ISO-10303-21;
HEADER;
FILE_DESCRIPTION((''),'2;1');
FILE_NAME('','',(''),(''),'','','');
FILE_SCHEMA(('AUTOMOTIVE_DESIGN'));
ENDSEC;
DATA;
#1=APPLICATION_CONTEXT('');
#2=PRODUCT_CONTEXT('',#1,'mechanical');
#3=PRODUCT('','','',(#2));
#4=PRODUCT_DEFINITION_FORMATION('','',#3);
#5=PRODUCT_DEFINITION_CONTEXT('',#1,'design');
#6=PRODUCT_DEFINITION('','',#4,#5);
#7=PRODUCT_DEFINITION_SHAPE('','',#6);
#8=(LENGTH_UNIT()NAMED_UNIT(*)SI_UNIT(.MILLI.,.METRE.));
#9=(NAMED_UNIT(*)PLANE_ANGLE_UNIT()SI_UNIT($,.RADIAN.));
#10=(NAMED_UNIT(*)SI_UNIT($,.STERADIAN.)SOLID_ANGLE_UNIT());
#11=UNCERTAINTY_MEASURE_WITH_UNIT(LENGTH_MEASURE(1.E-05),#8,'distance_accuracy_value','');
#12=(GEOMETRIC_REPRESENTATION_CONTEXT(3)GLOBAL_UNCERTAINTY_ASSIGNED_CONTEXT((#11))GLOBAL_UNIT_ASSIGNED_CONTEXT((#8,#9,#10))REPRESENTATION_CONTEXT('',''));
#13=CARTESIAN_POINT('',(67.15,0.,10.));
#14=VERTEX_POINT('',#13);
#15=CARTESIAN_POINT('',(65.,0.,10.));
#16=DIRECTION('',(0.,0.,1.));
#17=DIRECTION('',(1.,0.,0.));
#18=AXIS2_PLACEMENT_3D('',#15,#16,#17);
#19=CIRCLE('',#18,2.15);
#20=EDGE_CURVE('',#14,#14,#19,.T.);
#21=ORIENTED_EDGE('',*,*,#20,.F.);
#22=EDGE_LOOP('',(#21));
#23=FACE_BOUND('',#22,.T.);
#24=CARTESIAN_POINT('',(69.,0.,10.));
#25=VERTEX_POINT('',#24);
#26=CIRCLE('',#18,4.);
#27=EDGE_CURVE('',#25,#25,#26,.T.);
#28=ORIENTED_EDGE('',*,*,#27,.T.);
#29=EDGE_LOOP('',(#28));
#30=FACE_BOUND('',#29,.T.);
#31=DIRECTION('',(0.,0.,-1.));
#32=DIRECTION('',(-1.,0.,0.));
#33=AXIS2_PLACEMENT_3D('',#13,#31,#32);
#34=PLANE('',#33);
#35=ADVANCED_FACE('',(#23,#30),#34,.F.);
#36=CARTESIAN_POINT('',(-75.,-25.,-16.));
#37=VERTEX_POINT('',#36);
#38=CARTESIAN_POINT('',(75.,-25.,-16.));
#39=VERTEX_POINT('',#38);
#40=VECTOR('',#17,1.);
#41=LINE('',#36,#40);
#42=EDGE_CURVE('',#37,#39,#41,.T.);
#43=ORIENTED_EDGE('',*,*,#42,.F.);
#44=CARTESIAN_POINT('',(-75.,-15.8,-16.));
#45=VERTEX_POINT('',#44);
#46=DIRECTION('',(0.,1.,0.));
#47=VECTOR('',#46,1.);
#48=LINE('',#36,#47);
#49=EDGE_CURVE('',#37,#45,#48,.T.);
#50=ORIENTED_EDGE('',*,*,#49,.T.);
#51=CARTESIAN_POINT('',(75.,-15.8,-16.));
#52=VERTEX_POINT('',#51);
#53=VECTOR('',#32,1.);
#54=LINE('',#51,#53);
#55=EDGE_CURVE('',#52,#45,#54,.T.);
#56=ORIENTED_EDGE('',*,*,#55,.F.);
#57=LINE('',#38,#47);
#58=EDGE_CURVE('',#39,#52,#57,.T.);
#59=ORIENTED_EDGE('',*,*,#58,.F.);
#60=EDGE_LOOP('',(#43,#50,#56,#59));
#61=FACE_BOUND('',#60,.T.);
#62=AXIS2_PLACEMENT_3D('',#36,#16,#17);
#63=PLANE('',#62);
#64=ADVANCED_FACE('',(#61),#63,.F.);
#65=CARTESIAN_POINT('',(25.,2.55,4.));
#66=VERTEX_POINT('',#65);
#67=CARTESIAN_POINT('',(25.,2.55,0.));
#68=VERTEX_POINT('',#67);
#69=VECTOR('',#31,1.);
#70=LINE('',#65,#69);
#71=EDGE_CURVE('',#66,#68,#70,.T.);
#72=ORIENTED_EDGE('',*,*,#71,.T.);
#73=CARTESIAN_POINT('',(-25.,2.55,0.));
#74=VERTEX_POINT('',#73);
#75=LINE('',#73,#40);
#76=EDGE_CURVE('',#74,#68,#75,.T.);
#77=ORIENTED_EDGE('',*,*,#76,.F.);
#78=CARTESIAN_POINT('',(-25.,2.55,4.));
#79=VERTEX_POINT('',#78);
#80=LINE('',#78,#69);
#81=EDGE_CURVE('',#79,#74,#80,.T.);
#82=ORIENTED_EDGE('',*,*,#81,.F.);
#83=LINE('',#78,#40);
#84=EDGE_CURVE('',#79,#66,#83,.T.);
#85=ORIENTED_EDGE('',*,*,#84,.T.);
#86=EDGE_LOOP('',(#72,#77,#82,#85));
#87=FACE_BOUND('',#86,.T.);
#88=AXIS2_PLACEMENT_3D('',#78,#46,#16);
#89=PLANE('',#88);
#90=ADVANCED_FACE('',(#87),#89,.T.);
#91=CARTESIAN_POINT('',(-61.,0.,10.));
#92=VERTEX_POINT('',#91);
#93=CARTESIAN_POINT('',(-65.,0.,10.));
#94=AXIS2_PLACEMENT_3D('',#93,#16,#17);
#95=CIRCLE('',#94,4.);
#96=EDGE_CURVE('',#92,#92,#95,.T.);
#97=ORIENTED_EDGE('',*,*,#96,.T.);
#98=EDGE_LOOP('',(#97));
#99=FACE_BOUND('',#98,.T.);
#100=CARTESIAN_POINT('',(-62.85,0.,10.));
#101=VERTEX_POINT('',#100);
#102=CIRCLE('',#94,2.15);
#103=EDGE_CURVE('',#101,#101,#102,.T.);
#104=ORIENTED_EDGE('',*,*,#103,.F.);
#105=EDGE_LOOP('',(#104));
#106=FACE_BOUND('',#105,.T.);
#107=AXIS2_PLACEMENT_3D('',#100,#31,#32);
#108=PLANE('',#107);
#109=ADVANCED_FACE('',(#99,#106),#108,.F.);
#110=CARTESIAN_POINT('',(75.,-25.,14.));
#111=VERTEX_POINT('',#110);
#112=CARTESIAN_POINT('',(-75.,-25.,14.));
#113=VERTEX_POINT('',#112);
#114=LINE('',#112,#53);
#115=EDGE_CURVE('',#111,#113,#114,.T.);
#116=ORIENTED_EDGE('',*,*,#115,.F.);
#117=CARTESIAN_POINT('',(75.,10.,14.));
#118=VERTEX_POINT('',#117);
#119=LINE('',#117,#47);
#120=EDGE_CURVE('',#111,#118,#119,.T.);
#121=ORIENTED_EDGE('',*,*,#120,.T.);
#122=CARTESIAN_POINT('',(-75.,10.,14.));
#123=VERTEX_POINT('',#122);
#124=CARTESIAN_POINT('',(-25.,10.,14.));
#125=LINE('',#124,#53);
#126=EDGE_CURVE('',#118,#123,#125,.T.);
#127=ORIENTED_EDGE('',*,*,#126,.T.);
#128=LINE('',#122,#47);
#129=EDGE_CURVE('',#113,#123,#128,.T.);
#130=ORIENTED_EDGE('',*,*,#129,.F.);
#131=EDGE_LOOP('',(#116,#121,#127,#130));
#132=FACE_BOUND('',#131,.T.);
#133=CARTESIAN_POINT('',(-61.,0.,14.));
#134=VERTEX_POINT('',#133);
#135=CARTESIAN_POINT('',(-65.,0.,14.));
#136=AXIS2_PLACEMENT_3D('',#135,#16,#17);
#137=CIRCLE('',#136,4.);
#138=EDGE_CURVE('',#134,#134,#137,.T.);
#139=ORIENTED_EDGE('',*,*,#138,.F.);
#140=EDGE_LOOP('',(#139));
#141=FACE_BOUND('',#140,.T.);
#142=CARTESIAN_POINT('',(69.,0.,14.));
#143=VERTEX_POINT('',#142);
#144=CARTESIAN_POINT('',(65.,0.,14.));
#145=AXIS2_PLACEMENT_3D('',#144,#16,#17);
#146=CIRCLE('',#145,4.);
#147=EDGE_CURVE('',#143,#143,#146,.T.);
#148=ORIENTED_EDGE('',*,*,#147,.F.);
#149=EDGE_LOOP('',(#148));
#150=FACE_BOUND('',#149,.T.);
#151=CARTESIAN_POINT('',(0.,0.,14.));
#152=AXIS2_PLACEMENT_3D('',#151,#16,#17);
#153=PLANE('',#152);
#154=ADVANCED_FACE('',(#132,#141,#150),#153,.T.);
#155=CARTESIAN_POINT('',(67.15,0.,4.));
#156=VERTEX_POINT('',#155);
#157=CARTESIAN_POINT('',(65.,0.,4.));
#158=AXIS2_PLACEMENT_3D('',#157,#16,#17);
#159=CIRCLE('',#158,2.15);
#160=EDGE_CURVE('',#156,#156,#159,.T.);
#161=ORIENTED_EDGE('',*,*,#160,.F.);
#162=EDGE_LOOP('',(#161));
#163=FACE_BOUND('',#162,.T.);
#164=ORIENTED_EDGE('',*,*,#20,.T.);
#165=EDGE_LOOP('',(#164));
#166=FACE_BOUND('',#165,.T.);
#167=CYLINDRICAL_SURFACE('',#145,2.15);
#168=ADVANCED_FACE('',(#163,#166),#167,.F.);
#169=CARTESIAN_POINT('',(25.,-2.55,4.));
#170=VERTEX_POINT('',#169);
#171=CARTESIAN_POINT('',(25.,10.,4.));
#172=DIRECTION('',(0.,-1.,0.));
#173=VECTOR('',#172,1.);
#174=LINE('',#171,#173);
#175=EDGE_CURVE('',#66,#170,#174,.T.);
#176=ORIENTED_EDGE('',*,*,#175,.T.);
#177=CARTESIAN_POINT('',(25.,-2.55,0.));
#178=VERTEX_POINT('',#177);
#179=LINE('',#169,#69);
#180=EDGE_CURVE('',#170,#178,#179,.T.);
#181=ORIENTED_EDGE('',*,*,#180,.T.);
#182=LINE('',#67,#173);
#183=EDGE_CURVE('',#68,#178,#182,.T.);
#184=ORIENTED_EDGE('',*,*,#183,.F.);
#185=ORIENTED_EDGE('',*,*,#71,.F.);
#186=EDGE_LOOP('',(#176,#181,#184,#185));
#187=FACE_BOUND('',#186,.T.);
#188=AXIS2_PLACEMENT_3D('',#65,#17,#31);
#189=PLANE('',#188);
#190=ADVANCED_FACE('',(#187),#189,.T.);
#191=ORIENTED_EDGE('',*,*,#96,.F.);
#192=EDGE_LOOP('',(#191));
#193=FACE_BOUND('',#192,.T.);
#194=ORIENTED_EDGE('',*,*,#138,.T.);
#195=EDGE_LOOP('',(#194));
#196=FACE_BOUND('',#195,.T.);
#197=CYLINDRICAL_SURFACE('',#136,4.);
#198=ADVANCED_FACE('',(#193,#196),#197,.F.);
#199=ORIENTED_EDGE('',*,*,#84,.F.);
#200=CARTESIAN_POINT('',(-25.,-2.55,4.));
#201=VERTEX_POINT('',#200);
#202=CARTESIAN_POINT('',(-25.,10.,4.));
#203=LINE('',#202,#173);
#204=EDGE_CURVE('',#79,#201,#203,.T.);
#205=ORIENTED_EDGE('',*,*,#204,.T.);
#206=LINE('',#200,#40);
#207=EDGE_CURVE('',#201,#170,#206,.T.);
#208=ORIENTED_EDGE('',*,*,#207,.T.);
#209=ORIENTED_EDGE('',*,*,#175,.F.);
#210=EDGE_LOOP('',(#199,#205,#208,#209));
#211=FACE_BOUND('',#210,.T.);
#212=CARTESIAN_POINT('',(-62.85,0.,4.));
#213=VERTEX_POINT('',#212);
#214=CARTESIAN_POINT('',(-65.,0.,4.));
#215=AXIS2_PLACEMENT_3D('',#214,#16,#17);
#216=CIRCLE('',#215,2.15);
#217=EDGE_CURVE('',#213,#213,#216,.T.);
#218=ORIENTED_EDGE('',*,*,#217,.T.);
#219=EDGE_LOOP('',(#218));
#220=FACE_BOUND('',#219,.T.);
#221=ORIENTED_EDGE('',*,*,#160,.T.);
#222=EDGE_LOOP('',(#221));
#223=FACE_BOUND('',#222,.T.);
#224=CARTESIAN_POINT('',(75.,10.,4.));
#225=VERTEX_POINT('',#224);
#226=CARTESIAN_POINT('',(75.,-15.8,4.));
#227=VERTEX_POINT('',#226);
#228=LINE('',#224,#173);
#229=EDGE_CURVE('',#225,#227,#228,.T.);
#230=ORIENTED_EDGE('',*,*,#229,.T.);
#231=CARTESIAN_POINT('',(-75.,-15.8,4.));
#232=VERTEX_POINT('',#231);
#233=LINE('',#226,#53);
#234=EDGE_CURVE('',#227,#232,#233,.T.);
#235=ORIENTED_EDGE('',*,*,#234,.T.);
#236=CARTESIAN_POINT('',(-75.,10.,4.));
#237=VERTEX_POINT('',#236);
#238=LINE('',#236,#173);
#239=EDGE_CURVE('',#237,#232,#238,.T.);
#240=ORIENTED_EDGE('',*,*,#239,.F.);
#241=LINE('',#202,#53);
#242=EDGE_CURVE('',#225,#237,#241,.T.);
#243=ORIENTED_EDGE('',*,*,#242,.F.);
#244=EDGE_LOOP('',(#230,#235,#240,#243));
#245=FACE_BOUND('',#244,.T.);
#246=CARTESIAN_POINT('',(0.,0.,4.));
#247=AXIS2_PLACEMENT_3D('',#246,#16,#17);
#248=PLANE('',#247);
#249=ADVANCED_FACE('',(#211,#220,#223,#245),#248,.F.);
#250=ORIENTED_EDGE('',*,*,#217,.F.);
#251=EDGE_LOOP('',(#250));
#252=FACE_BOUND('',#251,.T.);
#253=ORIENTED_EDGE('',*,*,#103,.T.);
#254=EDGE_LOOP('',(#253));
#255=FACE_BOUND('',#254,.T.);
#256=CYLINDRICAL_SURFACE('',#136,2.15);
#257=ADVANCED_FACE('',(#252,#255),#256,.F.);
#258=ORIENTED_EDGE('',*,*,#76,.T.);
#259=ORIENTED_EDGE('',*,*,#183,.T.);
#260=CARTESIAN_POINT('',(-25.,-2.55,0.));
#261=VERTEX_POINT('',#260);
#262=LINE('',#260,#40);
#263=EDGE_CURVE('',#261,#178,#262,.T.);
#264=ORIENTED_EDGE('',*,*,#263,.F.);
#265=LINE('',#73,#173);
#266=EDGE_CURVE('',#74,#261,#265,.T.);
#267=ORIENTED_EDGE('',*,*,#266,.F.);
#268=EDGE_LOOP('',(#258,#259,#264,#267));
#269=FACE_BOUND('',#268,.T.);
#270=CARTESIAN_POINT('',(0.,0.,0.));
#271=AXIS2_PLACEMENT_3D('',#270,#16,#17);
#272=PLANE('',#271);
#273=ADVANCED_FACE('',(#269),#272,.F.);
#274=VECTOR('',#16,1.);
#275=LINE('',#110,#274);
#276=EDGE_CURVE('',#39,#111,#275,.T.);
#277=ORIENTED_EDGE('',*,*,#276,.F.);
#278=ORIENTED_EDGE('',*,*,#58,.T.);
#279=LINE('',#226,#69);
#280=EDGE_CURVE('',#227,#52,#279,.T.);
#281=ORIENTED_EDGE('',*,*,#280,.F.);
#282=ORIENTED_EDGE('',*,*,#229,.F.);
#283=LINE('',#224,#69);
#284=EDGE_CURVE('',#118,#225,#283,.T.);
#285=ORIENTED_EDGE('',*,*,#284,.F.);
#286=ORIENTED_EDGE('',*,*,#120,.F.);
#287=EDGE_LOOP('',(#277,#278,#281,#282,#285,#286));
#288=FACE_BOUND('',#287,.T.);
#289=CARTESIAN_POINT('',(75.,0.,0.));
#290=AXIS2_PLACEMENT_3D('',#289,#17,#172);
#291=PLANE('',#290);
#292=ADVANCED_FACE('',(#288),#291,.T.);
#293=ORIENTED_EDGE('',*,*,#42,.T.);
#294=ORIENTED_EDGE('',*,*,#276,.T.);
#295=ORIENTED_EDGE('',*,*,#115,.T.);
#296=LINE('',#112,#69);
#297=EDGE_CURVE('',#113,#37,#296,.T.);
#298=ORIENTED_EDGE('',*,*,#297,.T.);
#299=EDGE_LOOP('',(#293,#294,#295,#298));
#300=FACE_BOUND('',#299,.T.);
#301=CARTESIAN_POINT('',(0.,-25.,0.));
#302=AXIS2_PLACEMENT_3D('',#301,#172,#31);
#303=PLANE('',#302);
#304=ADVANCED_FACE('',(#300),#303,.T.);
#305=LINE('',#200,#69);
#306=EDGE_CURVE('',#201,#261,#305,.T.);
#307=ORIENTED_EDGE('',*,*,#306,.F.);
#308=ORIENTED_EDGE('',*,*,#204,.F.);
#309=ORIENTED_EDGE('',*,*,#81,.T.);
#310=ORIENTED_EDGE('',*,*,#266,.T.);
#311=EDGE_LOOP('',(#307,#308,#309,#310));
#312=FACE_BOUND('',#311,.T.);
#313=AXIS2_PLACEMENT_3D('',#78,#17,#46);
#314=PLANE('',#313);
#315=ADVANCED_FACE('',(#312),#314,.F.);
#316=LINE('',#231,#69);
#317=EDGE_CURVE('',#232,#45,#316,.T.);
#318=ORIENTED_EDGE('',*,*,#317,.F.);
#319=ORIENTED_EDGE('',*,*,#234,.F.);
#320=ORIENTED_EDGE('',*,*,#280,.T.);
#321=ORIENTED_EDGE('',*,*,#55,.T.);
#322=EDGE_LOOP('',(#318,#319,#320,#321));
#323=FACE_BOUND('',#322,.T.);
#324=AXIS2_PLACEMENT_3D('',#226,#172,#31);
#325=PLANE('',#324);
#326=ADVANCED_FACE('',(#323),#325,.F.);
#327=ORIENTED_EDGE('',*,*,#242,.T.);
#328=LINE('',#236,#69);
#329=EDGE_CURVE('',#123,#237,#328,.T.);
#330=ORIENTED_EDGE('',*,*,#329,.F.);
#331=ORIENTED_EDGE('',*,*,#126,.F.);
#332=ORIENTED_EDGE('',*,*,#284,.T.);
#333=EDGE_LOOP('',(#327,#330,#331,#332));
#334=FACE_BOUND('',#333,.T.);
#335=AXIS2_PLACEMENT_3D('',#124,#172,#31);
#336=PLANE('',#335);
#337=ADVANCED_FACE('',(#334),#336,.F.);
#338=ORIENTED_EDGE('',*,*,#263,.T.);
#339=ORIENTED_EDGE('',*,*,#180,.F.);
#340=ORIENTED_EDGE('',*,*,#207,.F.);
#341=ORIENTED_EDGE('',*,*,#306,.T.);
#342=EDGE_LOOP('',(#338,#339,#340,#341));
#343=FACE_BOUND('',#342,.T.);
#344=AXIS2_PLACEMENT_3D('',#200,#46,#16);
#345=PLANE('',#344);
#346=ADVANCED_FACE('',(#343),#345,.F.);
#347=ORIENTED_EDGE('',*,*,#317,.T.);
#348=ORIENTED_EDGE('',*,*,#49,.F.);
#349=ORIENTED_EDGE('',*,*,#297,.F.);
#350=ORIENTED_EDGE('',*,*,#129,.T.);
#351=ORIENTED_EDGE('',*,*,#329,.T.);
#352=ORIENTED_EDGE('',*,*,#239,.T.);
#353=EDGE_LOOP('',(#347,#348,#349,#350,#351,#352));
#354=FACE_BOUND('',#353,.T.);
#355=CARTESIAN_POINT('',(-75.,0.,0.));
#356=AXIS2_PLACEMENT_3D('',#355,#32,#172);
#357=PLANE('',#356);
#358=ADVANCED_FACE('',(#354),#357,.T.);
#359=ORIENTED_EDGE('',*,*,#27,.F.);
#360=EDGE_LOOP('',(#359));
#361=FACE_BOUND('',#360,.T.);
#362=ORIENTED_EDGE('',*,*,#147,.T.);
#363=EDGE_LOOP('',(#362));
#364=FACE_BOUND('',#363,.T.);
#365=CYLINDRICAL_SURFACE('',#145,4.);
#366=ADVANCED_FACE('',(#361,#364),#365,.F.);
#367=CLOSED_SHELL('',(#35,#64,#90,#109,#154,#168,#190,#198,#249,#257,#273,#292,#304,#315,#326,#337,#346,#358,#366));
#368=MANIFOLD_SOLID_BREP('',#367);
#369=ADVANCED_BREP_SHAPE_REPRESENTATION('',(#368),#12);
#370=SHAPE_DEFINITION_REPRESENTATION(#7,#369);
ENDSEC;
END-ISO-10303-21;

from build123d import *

# Parameters (mm, degrees)
SKETCH_1_W                   = 50
SKETCH_1_H                   = 5.1
EXTRUDE_1_DEPTH              = 4
SKETCH_3_W                   = 50
SKETCH_3_H                   = 25
EXTRUDE_2_DEPTH              = 10
SKETCH_4_W                   = 10
SKETCH_4_H                   = 25
EXTRUDE_3_DEPTH              = 50
SKETCH_5_W                   = 150
SKETCH_5_H                   = 30
EXTRUDE_4_DEPTH              = 10
CUT_EXTRUDE_START            = -20
SKETCH_6_W                   = 150
SKETCH_6_H                   = 0.8
CUT_EXTRUDE_1_DEPTH          = 20
HOLE_WIZARD_M4_1_D           = 4.3
HOLE_WIZARD_M4_1_CBORE_D     = 8
HOLE_WIZARD_M4_1_CBORE_DEPTH = 4


with BuildPart() as part:
    # 스케치1 → 보스-돌출1 (new body)
    with BuildSketch(Plane.XY):
        Rectangle(SKETCH_1_W, SKETCH_1_H)
    extrude(amount=EXTRUDE_1_DEPTH)

    # 스케치3 → 보스-돌출2 (add)
    with BuildSketch(Plane.XY.offset(4)):
        with Locations((0, -2.5)):
            Rectangle(SKETCH_3_W, SKETCH_3_H)
    extrude(amount=EXTRUDE_2_DEPTH)

    # 스케치4 → 보스-돌출3 (add)
    with BuildSketch(Plane.ZY.offset(25)):
        with Locations((9, -2.5)):
            Rectangle(SKETCH_4_W, SKETCH_4_H)
    extrude_3 = extrude(amount=EXTRUDE_3_DEPTH)

    # 대칭 복사1: 보스-돌출3 across plane
    add(extrude_3.mirror(Plane.ZY))

    # 스케치5 → 보스-돌출4 (add)
    with BuildSketch(Plane.XZ.offset(15)):
        with Locations((0, -1)):
            Rectangle(SKETCH_5_W, SKETCH_5_H)
    extrude(amount=EXTRUDE_4_DEPTH)

    # 스케치6 → 컷-돌출1 (cut)
    with BuildSketch(Plane(origin=(0, 0, -16), x_dir=(-1, 0, 0), z_dir=(0, 0, -1)).offset(CUT_EXTRUDE_START)):
        with Locations((0, -15.4)):
            Rectangle(SKETCH_6_W, SKETCH_6_H)
    extrude(amount=CUT_EXTRUDE_1_DEPTH, mode=Mode.SUBTRACT)

    # M4 소켓 머리 캡 나사용 카운터보어1 (through all)
    with Locations(Plane.XY.offset(14)):
        with Locations((-65, 0), (65, 0)):
            CounterBoreHole(HOLE_WIZARD_M4_1_D / 2, HOLE_WIZARD_M4_1_CBORE_D / 2, HOLE_WIZARD_M4_1_CBORE_DEPTH)


solid = part.part
